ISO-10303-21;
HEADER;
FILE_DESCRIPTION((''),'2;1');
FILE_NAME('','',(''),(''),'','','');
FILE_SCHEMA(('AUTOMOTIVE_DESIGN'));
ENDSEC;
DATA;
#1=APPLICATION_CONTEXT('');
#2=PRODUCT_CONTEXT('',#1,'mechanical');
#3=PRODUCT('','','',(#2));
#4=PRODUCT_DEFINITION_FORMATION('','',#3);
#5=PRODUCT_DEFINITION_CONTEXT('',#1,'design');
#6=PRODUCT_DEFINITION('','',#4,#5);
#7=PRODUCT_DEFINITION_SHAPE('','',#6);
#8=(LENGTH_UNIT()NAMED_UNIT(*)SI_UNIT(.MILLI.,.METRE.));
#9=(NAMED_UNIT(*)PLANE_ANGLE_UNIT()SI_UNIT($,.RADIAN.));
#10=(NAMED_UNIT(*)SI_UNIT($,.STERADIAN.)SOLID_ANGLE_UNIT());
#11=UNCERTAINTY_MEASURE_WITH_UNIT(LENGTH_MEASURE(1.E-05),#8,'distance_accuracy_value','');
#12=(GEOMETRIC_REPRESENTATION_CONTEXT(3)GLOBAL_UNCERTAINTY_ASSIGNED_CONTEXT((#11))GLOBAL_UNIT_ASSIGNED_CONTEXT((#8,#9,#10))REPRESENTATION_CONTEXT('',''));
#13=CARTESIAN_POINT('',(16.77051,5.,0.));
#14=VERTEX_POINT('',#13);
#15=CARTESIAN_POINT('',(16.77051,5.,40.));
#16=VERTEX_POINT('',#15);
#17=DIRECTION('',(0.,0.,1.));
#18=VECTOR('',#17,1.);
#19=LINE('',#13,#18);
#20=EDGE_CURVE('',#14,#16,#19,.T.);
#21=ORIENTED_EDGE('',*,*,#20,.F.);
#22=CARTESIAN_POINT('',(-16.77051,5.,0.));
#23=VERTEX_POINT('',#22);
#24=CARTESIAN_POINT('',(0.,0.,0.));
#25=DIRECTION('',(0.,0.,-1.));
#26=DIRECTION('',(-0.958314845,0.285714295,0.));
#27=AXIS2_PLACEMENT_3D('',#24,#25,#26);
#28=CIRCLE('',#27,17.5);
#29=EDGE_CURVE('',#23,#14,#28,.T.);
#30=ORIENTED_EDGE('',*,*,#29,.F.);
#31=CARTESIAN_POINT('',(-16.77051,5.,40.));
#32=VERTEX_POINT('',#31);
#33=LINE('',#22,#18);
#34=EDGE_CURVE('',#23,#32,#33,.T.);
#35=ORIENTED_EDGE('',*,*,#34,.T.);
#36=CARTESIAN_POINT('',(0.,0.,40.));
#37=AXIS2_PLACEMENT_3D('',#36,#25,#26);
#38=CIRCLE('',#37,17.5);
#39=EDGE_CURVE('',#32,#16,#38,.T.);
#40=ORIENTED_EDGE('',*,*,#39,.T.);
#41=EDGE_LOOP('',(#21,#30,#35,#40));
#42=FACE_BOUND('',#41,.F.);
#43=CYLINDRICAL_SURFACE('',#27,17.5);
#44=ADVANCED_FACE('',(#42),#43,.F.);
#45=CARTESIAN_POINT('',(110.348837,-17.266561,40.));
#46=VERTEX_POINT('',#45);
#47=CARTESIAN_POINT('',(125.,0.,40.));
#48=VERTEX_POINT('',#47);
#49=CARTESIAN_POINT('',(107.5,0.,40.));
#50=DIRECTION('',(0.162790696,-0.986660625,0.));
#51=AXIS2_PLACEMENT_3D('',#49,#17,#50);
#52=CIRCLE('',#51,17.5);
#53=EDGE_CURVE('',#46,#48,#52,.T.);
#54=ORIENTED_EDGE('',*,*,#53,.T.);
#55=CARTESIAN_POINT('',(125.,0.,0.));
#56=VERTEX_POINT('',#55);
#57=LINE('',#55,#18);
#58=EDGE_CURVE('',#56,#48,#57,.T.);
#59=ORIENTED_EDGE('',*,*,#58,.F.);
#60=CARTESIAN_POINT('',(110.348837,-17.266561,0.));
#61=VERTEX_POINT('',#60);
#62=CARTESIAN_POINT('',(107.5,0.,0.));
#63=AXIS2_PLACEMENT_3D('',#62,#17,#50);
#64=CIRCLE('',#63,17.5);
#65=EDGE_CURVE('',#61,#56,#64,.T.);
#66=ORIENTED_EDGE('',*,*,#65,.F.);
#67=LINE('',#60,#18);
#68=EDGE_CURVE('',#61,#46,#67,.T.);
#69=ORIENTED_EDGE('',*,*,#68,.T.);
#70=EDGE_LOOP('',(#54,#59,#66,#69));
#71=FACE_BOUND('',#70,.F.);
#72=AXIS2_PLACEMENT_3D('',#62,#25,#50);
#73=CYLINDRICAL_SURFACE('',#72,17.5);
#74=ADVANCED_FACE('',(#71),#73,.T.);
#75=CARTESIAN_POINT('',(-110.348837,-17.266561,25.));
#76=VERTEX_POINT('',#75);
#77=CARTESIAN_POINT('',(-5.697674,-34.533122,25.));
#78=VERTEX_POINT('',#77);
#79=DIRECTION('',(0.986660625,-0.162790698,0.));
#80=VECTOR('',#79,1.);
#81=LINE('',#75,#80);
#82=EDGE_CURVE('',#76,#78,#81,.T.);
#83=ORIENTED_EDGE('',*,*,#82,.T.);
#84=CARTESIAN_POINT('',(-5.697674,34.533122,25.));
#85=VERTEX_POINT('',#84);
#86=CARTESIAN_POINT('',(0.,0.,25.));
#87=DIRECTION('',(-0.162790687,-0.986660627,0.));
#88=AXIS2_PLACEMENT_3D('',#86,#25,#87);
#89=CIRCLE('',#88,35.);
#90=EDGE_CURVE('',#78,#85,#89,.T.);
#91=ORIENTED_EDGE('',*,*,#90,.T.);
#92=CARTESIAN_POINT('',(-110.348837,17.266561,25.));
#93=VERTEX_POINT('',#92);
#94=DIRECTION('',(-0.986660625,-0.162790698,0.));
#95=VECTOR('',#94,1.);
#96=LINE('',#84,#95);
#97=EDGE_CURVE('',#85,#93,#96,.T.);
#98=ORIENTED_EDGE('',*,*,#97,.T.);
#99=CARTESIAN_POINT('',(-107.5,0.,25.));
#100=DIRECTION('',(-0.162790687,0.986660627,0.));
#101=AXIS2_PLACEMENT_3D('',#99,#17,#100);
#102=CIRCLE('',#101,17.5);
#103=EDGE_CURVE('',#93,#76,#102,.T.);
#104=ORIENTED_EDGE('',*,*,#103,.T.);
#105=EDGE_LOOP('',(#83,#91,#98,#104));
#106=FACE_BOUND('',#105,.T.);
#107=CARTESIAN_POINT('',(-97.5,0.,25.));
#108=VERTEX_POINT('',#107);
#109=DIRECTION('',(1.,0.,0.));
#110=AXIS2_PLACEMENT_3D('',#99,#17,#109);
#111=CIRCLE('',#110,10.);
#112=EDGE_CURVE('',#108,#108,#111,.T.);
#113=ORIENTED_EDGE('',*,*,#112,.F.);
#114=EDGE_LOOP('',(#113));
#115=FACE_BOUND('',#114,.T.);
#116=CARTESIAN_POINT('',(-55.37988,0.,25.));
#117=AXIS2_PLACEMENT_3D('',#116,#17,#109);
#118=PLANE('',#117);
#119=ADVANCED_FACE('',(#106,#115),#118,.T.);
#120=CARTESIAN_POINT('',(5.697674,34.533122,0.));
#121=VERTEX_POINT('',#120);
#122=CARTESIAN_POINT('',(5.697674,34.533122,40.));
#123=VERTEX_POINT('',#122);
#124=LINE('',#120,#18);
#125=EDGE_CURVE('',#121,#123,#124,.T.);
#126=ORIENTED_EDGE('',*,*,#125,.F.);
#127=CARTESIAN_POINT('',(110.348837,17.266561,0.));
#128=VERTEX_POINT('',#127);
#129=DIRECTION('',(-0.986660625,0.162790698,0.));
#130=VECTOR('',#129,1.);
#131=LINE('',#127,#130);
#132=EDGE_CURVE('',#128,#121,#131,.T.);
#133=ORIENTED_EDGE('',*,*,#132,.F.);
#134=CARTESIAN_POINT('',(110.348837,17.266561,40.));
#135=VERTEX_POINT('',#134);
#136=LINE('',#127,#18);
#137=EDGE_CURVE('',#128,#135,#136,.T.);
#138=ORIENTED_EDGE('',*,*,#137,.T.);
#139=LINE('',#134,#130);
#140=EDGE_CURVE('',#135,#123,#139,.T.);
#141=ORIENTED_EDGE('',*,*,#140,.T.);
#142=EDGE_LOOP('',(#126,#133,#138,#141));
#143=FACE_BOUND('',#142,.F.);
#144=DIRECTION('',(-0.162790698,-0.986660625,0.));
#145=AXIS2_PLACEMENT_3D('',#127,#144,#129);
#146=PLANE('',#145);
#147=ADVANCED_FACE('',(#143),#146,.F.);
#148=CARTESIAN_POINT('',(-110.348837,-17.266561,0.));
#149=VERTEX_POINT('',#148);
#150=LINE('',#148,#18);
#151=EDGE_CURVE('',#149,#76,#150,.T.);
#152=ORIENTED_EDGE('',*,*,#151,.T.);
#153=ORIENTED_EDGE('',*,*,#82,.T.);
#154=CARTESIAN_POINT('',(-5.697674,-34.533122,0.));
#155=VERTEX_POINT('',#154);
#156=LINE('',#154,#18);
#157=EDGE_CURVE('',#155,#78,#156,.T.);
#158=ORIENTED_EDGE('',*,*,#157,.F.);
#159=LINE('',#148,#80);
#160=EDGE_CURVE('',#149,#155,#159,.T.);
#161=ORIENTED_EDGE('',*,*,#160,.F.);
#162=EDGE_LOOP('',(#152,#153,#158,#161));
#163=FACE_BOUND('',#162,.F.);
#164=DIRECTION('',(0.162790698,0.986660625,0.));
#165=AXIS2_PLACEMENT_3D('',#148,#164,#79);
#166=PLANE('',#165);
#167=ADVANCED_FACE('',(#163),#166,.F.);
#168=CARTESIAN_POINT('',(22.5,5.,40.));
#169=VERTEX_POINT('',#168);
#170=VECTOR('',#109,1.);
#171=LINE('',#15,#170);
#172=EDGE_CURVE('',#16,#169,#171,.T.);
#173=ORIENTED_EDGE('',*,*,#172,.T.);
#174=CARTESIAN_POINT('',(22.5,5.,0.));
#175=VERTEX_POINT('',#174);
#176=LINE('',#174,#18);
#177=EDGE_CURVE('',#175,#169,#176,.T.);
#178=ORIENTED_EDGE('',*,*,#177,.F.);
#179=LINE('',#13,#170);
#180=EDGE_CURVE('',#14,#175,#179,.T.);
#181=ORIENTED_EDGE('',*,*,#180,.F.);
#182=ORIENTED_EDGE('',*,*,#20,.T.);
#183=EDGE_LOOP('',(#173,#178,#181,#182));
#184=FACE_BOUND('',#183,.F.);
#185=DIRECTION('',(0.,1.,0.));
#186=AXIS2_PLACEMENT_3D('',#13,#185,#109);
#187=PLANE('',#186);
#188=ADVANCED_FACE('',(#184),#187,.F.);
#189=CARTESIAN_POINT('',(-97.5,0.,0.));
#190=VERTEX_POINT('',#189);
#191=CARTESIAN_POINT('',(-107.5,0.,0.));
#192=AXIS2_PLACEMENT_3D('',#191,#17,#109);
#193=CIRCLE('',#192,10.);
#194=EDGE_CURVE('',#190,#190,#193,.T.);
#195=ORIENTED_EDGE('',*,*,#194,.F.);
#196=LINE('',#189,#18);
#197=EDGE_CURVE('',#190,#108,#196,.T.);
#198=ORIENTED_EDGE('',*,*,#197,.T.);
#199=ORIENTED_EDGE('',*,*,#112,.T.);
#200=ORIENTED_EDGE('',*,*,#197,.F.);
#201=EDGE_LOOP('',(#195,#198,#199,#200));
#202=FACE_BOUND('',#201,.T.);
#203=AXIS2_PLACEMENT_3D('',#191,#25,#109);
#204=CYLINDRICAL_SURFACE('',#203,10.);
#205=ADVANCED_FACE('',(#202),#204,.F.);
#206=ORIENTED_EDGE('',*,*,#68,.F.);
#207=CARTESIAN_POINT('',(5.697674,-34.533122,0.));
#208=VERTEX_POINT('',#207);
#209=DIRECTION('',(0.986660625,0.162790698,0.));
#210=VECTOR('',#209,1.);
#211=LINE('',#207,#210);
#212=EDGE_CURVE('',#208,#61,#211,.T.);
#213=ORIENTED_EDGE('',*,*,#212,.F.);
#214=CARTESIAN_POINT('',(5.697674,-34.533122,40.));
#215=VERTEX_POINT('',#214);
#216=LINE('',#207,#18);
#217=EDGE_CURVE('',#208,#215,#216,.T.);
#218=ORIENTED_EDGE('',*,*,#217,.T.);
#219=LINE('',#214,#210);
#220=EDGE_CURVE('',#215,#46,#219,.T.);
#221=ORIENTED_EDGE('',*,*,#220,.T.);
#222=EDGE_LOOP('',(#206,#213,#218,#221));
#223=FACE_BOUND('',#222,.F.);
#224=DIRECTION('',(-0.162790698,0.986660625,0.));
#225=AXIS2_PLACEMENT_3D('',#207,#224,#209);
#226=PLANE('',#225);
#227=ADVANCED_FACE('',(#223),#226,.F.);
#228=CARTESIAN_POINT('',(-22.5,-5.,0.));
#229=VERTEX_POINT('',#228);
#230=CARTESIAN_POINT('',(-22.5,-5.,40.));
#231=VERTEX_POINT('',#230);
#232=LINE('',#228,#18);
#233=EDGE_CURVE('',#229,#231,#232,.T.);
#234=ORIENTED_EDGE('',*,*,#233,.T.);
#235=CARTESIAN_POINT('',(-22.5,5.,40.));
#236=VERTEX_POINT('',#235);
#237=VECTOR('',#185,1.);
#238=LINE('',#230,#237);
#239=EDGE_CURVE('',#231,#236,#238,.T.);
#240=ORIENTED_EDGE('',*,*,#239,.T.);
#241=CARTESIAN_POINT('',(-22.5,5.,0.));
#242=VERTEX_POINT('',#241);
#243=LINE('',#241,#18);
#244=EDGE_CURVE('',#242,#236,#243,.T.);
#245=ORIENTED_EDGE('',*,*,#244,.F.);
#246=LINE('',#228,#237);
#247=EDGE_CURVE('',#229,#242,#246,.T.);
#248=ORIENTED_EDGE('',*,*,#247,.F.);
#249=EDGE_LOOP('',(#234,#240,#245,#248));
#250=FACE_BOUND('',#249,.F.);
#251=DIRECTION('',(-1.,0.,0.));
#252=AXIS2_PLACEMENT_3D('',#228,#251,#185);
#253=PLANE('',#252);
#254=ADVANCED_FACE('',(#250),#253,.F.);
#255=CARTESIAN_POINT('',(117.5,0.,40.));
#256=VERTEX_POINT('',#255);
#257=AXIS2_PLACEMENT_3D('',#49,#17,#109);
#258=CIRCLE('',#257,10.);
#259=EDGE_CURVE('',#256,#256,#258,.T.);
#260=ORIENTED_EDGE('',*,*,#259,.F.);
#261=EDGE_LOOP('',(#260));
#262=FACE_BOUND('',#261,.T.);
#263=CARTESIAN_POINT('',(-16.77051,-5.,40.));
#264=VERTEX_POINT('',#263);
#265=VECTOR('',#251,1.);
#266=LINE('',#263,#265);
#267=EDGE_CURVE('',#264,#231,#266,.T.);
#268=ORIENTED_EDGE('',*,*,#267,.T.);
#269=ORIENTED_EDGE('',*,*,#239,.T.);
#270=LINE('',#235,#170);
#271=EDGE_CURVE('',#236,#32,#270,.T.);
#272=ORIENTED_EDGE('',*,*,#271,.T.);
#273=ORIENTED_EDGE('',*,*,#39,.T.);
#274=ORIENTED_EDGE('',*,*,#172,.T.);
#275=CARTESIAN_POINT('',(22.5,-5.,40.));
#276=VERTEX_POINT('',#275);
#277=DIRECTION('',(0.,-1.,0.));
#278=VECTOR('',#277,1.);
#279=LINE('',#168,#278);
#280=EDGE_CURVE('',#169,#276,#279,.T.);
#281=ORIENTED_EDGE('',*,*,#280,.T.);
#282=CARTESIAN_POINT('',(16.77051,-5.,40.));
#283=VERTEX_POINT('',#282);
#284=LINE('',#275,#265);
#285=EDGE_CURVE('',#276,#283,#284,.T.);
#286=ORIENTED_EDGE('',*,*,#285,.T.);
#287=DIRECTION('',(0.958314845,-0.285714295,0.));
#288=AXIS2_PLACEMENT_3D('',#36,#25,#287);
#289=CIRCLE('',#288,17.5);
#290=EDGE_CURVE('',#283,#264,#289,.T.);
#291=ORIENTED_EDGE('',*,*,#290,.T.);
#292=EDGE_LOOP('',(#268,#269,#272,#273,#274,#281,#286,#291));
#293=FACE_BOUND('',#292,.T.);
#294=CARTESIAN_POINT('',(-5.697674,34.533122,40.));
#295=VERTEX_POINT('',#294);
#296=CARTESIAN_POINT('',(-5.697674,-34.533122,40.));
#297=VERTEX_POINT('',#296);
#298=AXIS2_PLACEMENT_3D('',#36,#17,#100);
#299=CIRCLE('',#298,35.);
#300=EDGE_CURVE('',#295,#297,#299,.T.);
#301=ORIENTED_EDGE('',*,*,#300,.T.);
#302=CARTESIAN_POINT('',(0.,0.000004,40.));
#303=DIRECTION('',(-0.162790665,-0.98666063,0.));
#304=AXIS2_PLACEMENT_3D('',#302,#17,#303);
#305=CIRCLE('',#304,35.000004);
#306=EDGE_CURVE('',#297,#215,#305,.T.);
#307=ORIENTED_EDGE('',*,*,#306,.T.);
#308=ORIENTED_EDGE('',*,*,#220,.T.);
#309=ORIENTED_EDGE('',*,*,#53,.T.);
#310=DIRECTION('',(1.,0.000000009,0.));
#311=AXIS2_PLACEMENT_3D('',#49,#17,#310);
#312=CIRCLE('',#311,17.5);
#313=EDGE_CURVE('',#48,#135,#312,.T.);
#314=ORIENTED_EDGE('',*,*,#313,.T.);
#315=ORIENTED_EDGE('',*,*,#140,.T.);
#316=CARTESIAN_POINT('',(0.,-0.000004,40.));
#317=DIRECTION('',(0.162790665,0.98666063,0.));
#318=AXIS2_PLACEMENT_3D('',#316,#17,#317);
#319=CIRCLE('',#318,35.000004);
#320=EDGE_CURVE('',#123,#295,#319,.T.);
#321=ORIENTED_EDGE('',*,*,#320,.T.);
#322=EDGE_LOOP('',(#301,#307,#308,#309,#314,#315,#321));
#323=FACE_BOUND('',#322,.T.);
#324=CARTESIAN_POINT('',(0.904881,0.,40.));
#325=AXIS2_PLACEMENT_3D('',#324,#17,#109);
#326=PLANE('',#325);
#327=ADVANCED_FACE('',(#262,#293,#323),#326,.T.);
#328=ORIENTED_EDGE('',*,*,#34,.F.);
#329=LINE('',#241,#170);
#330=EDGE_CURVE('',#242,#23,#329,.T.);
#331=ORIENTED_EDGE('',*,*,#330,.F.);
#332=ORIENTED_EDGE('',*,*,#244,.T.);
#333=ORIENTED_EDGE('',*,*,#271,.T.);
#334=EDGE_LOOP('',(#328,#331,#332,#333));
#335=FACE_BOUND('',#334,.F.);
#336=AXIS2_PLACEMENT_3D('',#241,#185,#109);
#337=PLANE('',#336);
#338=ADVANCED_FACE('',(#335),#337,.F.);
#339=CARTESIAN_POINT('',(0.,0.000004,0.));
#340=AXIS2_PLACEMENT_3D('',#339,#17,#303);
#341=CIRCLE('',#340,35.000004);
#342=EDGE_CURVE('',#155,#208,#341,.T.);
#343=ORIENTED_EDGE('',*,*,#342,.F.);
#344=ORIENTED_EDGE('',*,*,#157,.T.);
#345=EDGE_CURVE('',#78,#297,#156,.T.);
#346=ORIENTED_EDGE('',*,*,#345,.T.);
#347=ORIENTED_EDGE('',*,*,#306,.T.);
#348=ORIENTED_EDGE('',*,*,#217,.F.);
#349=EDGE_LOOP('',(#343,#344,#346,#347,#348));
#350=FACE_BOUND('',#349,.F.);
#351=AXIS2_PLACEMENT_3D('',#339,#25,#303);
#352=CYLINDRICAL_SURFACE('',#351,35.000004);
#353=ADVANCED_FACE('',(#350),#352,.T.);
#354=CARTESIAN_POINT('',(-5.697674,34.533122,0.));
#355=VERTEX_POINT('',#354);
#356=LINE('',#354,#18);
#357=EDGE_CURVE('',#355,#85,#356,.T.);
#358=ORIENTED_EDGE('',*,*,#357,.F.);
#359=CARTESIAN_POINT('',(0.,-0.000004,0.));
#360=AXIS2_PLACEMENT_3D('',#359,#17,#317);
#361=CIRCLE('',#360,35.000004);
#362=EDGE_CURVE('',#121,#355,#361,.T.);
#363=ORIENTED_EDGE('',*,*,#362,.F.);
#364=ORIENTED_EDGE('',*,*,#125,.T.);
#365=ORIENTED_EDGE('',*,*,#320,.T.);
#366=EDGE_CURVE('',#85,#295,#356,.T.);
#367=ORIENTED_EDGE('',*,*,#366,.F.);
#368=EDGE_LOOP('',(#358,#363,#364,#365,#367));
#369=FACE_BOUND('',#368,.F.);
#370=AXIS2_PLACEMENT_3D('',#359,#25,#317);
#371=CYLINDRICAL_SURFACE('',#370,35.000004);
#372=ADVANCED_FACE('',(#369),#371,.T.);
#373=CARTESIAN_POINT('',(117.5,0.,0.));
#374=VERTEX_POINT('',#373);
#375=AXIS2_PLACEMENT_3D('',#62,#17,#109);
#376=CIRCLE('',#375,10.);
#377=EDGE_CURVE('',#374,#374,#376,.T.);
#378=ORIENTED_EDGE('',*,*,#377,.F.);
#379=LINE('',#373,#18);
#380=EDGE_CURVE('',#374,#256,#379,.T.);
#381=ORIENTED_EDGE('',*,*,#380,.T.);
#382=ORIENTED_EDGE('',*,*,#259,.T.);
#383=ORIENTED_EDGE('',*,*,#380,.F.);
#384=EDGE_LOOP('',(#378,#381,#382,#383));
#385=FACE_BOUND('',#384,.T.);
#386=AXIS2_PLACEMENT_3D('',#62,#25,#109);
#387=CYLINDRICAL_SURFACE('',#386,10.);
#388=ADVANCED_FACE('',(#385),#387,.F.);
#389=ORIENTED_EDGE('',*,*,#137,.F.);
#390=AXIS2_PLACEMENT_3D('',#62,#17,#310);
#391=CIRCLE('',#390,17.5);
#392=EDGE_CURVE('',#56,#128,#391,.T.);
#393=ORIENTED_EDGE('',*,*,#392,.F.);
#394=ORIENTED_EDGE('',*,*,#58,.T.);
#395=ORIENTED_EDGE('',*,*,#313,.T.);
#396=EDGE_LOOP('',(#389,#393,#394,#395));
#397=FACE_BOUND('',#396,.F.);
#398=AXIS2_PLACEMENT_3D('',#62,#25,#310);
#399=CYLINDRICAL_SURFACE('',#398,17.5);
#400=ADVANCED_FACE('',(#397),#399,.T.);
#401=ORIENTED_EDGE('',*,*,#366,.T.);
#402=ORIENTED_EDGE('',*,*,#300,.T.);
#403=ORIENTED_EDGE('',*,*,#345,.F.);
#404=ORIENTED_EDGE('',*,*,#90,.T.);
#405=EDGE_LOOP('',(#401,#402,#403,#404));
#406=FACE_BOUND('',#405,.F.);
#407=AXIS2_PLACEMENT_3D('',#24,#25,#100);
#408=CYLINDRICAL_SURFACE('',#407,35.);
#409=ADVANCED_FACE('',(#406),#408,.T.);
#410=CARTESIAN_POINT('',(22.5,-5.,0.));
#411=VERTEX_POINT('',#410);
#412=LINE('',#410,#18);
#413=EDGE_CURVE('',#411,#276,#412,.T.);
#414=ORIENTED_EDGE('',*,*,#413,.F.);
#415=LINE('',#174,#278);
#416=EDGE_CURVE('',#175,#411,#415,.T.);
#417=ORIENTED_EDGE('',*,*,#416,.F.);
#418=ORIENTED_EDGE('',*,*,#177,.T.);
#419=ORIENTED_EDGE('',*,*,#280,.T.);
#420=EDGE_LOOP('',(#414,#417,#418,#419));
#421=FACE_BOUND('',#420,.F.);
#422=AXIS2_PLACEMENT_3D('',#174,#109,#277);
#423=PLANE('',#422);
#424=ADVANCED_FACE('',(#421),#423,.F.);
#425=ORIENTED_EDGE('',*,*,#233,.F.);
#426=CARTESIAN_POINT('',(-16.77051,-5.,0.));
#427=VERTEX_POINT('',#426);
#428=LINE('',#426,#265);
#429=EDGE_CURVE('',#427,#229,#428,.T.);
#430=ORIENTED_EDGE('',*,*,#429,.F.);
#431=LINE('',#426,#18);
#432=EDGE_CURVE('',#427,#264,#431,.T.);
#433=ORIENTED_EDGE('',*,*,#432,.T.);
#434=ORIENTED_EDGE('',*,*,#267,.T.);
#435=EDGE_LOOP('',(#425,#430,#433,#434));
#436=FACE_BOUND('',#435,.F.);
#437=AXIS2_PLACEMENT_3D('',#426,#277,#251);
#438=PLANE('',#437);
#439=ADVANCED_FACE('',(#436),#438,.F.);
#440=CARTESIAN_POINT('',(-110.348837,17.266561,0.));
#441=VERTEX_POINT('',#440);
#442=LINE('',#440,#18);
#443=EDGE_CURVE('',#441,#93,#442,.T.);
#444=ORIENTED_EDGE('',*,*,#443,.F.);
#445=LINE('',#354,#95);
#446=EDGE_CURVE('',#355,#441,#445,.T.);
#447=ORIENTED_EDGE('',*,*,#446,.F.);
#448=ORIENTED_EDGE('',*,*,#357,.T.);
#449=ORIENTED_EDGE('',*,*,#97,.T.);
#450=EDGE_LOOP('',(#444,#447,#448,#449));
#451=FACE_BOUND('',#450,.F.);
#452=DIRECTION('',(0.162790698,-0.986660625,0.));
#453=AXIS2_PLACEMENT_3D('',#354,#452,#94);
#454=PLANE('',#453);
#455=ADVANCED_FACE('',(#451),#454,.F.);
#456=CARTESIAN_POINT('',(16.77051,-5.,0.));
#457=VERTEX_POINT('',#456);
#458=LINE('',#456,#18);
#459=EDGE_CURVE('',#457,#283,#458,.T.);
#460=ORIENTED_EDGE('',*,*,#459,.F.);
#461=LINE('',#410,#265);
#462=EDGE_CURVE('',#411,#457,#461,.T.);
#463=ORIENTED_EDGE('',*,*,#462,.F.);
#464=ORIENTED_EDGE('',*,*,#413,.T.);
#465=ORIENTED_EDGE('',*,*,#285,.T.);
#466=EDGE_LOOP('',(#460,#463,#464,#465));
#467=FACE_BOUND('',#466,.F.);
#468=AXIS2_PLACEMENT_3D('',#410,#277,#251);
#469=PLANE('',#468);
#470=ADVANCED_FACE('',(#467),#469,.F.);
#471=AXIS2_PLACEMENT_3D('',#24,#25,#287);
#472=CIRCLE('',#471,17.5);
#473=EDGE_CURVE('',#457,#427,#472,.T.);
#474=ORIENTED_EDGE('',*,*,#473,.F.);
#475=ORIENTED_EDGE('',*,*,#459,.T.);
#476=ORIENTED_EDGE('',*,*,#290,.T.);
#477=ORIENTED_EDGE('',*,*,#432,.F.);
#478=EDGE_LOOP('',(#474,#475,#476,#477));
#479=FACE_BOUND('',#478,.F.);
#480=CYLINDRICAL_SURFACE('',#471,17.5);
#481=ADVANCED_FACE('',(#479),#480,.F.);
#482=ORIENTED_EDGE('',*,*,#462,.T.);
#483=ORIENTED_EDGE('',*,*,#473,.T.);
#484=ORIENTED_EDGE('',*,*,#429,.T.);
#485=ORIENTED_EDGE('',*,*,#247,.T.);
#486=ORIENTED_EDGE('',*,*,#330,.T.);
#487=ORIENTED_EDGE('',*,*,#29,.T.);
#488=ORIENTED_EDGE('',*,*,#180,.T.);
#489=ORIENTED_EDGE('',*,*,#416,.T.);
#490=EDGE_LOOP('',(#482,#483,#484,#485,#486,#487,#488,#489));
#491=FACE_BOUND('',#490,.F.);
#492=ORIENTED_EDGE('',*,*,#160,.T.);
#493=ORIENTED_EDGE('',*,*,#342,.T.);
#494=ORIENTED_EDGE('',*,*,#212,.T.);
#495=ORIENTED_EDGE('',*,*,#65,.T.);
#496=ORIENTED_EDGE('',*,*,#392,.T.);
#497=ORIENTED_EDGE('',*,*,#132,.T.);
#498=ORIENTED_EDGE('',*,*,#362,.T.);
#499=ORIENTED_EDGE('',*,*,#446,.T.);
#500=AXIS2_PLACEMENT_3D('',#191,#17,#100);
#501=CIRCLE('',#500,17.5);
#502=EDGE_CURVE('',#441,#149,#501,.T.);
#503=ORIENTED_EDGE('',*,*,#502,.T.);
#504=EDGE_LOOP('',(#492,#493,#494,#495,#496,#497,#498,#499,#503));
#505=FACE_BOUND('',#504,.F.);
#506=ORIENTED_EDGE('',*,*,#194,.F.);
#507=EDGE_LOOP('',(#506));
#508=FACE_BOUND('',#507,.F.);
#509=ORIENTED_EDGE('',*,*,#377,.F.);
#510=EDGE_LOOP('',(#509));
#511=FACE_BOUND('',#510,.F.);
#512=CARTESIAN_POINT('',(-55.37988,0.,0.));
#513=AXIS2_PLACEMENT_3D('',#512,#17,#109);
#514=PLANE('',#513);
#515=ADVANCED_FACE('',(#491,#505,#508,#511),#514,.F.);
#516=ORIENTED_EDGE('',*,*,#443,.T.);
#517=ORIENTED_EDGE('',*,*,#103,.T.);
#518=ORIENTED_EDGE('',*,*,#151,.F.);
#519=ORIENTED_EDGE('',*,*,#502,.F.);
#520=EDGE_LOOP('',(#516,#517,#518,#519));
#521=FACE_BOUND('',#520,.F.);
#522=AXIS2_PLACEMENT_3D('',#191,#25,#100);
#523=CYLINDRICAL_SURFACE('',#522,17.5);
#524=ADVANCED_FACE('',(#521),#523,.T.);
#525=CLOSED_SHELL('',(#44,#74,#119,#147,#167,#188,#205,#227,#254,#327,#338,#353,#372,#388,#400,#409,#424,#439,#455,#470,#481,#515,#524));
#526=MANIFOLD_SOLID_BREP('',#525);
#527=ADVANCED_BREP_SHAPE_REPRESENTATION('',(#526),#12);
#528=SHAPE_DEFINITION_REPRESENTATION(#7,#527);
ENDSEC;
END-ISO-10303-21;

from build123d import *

# Parameters (mm, degrees)
F0_R     = 10
F1_DEPTH = 40
F2_DEPTH = 25


with BuildPart() as f1:
    # F0 (on Top) → F1 (new body)
    with BuildSketch(Plane.XY):
        with BuildLine():
            ThreePointArc((5.697674, -34.533122), (26.68725, -22.644882), (35, 0))
            ThreePointArc((35, 0), (26.68725, 22.644882), (5.697674, 34.533122))
            ThreePointArc((5.697674, 34.533122), (0, 35), (-5.697674, 34.533122))
            ThreePointArc((-5.697674, 34.533122), (-35, 0), (-5.697674, -34.533122))
            ThreePointArc((-5.697674, -34.533122), (0, -35), (5.697674, -34.533122))
        make_face()
        with BuildLine():
            ThreePointArc((-16.77051, 5), (0, 17.5), (16.77051, 5))
            Line((16.77051, 5), (22.5, 5))
            Line((22.5, 5), (22.5, -5))
            Line((22.5, -5), (16.77051, -5))
            ThreePointArc((16.77051, -5), (0, -17.5), (-16.77051, -5))
            Line((-16.77051, -5), (-22.5, -5))
            Line((-22.5, -5), (-22.5, 5))
            Line((-22.5, 5), (-16.77051, 5))
        make_face(mode=Mode.SUBTRACT)
        with BuildLine():
            ThreePointArc((5.697674, 34.533122), (26.68725, 22.644882), (35, 0))
            ThreePointArc((35, 0), (26.68725, -22.644882), (5.697674, -34.533122))
            Line((5.697674, -34.533122), (110.348837, -17.266561))
            ThreePointArc((110.348837, -17.266561), (90, 0), (110.348837, 17.266561))
            Line((110.348837, 17.266561), (5.697674, 34.533122))
        make_face()
        with BuildLine():
            ThreePointArc((125, 0), (120.843625, 11.322441), (110.348837, 17.266561))
            ThreePointArc((110.348837, 17.266561), (90, 0), (110.348837, -17.266561))
            ThreePointArc((110.348837, -17.266561), (120.843625, -11.322441), (125, 0))
        make_face()
        with Locations((107.5, 0)):
            Circle(F0_R, mode=Mode.SUBTRACT)
    extrude(amount=F1_DEPTH)

    # F0 (on Top) → F2 (join)
    with BuildSketch(Plane.XY):
        with BuildLine():
            ThreePointArc((-5.697674, -34.533122), (-35, 0), (-5.697674, 34.533122))
            Line((-5.697674, 34.533122), (-110.348837, 17.266561))
            ThreePointArc((-110.348837, 17.266561), (-96.177559, 13.343625), (-90, 0))
            ThreePointArc((-90, 0), (-96.177559, -13.343625), (-110.348837, -17.266561))
            Line((-110.348837, -17.266561), (-5.697674, -34.533122))
        make_face()
        with BuildLine():
            ThreePointArc((-90, 0), (-96.177559, 13.343625), (-110.348837, 17.266561))
            ThreePointArc((-110.348837, 17.266561), (-125, 0), (-110.348837, -17.266561))
            ThreePointArc((-110.348837, -17.266561), (-96.177559, -13.343625), (-90, 0))
        make_face()
        with Locations((-107.5, 0)):
            Circle(F0_R, mode=Mode.SUBTRACT)
    extrude(amount=F2_DEPTH)


solid = f1.part
